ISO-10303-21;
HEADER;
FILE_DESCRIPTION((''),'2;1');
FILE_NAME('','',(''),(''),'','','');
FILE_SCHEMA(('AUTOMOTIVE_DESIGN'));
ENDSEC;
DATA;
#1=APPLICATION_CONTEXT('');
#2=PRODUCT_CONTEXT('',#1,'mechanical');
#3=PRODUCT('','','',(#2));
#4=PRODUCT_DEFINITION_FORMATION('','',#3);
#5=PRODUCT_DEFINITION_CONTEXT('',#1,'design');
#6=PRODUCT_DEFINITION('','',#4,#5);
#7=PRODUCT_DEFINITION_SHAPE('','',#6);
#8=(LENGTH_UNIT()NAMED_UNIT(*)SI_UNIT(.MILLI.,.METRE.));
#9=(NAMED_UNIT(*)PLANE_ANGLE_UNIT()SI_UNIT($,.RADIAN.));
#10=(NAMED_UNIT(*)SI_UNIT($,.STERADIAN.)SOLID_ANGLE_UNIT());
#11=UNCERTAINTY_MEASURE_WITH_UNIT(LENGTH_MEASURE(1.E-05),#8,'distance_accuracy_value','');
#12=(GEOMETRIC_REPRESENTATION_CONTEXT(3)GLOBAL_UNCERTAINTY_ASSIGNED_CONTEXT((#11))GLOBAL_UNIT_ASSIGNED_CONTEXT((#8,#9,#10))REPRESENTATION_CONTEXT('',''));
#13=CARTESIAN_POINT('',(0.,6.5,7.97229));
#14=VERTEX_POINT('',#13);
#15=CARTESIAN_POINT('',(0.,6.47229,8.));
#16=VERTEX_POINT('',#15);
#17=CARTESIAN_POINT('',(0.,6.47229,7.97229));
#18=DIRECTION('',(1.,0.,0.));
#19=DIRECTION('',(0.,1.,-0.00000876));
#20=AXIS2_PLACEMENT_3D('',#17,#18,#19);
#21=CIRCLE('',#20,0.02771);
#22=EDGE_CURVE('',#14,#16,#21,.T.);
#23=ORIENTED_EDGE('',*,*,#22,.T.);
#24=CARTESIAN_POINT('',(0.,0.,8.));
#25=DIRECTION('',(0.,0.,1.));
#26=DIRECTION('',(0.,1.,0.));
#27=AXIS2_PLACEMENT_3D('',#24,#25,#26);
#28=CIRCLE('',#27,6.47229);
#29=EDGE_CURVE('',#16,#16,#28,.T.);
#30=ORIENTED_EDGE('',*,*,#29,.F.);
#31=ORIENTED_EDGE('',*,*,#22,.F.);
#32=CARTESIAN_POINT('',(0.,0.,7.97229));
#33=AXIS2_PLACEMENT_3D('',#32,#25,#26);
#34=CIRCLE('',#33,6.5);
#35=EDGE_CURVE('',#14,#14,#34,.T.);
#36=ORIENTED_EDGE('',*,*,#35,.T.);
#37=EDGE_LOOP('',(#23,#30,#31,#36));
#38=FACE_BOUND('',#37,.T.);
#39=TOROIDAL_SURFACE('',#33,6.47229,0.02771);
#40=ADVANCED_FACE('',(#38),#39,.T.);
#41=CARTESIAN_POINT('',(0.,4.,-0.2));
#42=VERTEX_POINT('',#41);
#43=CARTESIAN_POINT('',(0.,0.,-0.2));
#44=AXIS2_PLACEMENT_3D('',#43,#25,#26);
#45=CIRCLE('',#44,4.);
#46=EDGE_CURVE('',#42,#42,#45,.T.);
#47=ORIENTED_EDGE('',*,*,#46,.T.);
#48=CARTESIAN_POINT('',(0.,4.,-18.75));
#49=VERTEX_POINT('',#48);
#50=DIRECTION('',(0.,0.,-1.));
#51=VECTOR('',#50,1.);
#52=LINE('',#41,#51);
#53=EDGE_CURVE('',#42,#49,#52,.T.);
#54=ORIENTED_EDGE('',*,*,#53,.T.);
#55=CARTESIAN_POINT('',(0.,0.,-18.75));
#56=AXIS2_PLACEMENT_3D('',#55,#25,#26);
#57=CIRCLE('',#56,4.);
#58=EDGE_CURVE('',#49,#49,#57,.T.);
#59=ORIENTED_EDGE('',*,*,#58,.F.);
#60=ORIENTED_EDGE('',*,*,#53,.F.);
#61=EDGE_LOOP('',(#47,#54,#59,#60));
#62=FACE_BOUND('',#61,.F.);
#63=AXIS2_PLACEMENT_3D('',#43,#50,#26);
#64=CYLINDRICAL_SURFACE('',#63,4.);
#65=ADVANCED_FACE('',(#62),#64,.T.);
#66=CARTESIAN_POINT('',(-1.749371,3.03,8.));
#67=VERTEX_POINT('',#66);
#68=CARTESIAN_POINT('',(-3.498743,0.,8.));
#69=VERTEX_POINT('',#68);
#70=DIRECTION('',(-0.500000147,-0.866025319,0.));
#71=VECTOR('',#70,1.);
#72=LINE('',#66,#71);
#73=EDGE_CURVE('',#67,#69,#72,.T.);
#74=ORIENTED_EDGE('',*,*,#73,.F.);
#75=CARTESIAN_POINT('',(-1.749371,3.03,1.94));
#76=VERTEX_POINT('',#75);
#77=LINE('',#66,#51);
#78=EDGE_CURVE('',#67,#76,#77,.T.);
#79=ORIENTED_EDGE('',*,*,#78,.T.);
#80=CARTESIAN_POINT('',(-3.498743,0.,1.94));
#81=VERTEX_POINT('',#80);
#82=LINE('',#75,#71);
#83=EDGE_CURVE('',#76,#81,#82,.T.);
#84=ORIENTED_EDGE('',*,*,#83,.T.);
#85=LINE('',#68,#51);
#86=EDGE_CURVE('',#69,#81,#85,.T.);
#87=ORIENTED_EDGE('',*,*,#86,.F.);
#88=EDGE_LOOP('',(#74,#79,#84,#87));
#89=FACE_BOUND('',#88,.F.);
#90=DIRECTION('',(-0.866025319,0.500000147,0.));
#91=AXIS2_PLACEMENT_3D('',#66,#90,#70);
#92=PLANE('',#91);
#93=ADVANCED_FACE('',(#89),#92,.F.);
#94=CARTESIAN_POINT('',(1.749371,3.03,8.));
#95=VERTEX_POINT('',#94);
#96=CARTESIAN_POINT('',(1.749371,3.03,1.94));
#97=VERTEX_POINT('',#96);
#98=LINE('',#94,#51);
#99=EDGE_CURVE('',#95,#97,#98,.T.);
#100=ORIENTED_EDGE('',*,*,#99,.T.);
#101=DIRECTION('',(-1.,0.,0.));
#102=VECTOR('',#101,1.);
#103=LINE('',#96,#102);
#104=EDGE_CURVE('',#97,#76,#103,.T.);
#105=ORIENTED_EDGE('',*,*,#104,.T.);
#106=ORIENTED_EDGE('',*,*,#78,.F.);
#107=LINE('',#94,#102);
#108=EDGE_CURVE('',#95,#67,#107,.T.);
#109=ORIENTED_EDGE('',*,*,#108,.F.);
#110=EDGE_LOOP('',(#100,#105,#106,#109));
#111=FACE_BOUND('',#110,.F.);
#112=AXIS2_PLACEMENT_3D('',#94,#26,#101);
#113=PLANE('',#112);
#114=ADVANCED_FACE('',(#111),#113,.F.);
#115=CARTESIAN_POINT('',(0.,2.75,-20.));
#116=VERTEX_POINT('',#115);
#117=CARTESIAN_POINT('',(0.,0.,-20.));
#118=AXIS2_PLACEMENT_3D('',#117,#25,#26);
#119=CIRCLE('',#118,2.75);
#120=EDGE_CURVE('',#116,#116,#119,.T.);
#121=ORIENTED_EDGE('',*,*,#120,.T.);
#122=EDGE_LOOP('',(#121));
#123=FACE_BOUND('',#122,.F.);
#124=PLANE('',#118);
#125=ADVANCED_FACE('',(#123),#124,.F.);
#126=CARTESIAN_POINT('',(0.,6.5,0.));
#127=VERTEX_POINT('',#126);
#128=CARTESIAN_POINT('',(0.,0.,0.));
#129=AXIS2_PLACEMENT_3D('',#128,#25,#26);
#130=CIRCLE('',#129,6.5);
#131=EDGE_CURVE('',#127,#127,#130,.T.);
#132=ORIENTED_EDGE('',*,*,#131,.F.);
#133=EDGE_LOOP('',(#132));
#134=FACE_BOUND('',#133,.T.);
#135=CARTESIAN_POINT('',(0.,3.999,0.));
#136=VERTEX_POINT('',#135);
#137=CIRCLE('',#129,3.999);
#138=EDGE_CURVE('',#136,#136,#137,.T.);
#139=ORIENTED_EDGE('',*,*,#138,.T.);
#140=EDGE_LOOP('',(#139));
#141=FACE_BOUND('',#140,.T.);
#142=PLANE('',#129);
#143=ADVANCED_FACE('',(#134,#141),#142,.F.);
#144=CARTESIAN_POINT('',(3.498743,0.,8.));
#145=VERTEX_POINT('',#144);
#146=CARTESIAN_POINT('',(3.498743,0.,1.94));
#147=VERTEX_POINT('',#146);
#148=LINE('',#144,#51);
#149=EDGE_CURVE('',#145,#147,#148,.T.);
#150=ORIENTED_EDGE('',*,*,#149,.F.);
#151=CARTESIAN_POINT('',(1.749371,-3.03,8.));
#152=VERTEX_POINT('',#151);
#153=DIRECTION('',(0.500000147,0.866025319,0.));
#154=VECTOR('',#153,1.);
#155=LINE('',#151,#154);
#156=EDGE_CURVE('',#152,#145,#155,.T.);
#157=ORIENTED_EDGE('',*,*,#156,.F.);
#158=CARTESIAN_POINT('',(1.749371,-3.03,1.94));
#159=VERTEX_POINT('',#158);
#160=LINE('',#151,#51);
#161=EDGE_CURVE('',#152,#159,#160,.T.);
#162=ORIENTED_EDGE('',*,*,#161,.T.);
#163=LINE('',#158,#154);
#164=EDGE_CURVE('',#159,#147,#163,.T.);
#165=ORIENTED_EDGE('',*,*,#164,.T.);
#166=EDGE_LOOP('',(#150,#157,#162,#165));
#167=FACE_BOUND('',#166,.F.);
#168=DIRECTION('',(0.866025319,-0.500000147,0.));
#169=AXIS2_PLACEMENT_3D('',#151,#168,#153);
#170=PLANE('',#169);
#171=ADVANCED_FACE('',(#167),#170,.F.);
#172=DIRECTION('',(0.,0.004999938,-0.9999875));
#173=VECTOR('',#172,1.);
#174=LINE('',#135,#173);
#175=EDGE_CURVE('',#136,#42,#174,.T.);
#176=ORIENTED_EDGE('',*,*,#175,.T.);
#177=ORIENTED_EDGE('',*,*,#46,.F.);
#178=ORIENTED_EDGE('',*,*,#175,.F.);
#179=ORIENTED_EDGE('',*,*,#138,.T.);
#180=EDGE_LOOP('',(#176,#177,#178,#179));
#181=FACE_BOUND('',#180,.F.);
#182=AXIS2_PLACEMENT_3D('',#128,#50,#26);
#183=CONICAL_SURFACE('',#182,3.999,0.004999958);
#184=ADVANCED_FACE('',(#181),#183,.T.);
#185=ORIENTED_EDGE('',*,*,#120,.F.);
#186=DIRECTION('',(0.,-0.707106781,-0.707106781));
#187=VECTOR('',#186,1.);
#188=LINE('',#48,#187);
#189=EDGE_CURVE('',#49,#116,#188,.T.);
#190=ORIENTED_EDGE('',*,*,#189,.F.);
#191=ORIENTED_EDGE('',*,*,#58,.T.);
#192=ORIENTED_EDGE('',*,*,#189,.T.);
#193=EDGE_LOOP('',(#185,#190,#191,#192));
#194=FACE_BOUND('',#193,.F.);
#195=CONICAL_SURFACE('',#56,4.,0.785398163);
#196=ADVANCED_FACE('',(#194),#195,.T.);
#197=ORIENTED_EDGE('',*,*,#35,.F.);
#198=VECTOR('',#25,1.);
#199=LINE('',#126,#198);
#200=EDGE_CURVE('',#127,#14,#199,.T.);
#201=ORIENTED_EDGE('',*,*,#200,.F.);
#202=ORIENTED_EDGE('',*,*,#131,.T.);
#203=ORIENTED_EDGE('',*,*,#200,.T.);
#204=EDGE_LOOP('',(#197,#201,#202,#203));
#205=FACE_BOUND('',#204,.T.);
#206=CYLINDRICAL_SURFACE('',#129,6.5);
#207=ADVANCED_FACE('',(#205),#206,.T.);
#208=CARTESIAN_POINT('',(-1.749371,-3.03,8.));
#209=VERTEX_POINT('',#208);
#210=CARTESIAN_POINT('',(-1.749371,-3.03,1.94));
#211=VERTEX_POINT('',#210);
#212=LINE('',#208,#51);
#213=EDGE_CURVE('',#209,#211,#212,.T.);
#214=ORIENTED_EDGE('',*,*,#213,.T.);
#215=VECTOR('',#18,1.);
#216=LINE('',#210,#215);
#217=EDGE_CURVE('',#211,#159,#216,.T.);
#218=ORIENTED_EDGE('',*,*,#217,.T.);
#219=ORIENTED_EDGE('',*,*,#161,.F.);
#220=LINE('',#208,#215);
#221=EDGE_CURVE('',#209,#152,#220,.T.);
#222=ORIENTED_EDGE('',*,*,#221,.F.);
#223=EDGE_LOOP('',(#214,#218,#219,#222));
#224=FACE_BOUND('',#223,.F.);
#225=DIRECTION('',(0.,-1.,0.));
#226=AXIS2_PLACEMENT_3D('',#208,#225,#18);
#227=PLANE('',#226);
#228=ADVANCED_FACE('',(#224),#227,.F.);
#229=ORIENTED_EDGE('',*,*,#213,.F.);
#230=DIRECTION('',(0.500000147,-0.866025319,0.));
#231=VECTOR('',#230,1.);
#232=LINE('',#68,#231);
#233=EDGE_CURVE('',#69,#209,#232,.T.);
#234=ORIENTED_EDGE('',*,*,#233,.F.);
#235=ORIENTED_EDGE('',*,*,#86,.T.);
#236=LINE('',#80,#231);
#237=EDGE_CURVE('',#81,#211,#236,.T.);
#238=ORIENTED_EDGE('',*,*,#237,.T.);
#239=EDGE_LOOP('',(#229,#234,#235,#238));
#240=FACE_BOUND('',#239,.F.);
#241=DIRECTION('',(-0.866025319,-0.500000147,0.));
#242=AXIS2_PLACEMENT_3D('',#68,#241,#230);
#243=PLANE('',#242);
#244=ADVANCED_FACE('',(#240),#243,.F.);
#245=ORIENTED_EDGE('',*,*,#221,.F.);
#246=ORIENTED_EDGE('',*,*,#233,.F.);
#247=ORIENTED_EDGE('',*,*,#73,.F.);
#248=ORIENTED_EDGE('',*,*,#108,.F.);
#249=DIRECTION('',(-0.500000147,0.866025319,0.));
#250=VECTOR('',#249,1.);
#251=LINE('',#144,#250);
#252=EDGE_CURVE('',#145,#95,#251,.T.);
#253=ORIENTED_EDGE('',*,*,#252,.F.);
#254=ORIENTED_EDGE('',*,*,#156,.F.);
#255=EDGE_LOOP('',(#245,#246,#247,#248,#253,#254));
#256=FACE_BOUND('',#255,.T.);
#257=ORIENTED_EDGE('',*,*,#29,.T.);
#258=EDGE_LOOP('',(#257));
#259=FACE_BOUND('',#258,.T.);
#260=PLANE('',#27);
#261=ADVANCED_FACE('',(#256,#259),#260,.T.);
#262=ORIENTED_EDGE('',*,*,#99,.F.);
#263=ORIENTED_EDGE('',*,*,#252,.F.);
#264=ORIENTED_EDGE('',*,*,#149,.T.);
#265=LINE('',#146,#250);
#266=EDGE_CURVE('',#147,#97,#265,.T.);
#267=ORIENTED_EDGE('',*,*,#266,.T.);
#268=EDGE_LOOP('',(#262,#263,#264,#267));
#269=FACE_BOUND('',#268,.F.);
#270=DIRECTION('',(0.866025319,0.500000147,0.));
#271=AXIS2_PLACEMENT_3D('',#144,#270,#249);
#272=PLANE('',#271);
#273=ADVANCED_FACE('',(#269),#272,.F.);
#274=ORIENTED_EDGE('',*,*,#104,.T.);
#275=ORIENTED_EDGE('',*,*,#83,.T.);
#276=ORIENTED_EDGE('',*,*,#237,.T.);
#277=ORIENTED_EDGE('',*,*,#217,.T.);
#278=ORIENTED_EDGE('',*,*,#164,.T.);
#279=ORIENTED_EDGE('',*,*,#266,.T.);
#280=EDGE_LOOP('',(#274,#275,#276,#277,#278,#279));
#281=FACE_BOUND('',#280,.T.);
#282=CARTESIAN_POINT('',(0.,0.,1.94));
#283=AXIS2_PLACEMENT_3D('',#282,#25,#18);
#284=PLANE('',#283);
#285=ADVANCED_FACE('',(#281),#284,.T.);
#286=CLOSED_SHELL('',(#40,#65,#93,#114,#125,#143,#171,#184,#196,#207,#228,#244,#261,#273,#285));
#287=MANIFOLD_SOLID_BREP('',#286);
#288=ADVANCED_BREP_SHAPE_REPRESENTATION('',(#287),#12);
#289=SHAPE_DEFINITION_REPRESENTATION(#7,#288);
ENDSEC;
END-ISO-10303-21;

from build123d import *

# Parameters (mm, degrees)
POCKET_DEPTH = 6.06


with BuildPart() as part:
    # Sketch → Revolve (revolve)
    with BuildSketch(Plane.YZ):
        with BuildLine():
            Line((3.999, 0), (6.5, 0))
            Line((6.5, 0), (6.5, 7.97229))
            ThreePointArc((6.5, 7.97229), (6.491884, 7.991884), (6.47229, 8))
            Line((6.47229, 8), (0, 8))
            Line((0, -20), (0, 8))
            Line((2.75, -20), (0, -20))
            Line((4, -18.75), (2.75, -20))
            Line((4, -0.2), (4, -18.75))
            Line((3.999, 0), (4, -0.2))
        make_face()
    revolve(axis=Axis((0, 0, 0), (0, 0, 1)))

    # Sketch001 → Pocket (cut)
    with BuildSketch(Plane.XY.offset(8)):
        Polygon((3.498743, 0), (1.749371, 3.03), (-1.749371, 3.03), (-3.498743, 0), (-1.749371, -3.03), (1.749371, -3.03), align=None)
    extrude(amount=-POCKET_DEPTH, mode=Mode.SUBTRACT)


solid = part.part
